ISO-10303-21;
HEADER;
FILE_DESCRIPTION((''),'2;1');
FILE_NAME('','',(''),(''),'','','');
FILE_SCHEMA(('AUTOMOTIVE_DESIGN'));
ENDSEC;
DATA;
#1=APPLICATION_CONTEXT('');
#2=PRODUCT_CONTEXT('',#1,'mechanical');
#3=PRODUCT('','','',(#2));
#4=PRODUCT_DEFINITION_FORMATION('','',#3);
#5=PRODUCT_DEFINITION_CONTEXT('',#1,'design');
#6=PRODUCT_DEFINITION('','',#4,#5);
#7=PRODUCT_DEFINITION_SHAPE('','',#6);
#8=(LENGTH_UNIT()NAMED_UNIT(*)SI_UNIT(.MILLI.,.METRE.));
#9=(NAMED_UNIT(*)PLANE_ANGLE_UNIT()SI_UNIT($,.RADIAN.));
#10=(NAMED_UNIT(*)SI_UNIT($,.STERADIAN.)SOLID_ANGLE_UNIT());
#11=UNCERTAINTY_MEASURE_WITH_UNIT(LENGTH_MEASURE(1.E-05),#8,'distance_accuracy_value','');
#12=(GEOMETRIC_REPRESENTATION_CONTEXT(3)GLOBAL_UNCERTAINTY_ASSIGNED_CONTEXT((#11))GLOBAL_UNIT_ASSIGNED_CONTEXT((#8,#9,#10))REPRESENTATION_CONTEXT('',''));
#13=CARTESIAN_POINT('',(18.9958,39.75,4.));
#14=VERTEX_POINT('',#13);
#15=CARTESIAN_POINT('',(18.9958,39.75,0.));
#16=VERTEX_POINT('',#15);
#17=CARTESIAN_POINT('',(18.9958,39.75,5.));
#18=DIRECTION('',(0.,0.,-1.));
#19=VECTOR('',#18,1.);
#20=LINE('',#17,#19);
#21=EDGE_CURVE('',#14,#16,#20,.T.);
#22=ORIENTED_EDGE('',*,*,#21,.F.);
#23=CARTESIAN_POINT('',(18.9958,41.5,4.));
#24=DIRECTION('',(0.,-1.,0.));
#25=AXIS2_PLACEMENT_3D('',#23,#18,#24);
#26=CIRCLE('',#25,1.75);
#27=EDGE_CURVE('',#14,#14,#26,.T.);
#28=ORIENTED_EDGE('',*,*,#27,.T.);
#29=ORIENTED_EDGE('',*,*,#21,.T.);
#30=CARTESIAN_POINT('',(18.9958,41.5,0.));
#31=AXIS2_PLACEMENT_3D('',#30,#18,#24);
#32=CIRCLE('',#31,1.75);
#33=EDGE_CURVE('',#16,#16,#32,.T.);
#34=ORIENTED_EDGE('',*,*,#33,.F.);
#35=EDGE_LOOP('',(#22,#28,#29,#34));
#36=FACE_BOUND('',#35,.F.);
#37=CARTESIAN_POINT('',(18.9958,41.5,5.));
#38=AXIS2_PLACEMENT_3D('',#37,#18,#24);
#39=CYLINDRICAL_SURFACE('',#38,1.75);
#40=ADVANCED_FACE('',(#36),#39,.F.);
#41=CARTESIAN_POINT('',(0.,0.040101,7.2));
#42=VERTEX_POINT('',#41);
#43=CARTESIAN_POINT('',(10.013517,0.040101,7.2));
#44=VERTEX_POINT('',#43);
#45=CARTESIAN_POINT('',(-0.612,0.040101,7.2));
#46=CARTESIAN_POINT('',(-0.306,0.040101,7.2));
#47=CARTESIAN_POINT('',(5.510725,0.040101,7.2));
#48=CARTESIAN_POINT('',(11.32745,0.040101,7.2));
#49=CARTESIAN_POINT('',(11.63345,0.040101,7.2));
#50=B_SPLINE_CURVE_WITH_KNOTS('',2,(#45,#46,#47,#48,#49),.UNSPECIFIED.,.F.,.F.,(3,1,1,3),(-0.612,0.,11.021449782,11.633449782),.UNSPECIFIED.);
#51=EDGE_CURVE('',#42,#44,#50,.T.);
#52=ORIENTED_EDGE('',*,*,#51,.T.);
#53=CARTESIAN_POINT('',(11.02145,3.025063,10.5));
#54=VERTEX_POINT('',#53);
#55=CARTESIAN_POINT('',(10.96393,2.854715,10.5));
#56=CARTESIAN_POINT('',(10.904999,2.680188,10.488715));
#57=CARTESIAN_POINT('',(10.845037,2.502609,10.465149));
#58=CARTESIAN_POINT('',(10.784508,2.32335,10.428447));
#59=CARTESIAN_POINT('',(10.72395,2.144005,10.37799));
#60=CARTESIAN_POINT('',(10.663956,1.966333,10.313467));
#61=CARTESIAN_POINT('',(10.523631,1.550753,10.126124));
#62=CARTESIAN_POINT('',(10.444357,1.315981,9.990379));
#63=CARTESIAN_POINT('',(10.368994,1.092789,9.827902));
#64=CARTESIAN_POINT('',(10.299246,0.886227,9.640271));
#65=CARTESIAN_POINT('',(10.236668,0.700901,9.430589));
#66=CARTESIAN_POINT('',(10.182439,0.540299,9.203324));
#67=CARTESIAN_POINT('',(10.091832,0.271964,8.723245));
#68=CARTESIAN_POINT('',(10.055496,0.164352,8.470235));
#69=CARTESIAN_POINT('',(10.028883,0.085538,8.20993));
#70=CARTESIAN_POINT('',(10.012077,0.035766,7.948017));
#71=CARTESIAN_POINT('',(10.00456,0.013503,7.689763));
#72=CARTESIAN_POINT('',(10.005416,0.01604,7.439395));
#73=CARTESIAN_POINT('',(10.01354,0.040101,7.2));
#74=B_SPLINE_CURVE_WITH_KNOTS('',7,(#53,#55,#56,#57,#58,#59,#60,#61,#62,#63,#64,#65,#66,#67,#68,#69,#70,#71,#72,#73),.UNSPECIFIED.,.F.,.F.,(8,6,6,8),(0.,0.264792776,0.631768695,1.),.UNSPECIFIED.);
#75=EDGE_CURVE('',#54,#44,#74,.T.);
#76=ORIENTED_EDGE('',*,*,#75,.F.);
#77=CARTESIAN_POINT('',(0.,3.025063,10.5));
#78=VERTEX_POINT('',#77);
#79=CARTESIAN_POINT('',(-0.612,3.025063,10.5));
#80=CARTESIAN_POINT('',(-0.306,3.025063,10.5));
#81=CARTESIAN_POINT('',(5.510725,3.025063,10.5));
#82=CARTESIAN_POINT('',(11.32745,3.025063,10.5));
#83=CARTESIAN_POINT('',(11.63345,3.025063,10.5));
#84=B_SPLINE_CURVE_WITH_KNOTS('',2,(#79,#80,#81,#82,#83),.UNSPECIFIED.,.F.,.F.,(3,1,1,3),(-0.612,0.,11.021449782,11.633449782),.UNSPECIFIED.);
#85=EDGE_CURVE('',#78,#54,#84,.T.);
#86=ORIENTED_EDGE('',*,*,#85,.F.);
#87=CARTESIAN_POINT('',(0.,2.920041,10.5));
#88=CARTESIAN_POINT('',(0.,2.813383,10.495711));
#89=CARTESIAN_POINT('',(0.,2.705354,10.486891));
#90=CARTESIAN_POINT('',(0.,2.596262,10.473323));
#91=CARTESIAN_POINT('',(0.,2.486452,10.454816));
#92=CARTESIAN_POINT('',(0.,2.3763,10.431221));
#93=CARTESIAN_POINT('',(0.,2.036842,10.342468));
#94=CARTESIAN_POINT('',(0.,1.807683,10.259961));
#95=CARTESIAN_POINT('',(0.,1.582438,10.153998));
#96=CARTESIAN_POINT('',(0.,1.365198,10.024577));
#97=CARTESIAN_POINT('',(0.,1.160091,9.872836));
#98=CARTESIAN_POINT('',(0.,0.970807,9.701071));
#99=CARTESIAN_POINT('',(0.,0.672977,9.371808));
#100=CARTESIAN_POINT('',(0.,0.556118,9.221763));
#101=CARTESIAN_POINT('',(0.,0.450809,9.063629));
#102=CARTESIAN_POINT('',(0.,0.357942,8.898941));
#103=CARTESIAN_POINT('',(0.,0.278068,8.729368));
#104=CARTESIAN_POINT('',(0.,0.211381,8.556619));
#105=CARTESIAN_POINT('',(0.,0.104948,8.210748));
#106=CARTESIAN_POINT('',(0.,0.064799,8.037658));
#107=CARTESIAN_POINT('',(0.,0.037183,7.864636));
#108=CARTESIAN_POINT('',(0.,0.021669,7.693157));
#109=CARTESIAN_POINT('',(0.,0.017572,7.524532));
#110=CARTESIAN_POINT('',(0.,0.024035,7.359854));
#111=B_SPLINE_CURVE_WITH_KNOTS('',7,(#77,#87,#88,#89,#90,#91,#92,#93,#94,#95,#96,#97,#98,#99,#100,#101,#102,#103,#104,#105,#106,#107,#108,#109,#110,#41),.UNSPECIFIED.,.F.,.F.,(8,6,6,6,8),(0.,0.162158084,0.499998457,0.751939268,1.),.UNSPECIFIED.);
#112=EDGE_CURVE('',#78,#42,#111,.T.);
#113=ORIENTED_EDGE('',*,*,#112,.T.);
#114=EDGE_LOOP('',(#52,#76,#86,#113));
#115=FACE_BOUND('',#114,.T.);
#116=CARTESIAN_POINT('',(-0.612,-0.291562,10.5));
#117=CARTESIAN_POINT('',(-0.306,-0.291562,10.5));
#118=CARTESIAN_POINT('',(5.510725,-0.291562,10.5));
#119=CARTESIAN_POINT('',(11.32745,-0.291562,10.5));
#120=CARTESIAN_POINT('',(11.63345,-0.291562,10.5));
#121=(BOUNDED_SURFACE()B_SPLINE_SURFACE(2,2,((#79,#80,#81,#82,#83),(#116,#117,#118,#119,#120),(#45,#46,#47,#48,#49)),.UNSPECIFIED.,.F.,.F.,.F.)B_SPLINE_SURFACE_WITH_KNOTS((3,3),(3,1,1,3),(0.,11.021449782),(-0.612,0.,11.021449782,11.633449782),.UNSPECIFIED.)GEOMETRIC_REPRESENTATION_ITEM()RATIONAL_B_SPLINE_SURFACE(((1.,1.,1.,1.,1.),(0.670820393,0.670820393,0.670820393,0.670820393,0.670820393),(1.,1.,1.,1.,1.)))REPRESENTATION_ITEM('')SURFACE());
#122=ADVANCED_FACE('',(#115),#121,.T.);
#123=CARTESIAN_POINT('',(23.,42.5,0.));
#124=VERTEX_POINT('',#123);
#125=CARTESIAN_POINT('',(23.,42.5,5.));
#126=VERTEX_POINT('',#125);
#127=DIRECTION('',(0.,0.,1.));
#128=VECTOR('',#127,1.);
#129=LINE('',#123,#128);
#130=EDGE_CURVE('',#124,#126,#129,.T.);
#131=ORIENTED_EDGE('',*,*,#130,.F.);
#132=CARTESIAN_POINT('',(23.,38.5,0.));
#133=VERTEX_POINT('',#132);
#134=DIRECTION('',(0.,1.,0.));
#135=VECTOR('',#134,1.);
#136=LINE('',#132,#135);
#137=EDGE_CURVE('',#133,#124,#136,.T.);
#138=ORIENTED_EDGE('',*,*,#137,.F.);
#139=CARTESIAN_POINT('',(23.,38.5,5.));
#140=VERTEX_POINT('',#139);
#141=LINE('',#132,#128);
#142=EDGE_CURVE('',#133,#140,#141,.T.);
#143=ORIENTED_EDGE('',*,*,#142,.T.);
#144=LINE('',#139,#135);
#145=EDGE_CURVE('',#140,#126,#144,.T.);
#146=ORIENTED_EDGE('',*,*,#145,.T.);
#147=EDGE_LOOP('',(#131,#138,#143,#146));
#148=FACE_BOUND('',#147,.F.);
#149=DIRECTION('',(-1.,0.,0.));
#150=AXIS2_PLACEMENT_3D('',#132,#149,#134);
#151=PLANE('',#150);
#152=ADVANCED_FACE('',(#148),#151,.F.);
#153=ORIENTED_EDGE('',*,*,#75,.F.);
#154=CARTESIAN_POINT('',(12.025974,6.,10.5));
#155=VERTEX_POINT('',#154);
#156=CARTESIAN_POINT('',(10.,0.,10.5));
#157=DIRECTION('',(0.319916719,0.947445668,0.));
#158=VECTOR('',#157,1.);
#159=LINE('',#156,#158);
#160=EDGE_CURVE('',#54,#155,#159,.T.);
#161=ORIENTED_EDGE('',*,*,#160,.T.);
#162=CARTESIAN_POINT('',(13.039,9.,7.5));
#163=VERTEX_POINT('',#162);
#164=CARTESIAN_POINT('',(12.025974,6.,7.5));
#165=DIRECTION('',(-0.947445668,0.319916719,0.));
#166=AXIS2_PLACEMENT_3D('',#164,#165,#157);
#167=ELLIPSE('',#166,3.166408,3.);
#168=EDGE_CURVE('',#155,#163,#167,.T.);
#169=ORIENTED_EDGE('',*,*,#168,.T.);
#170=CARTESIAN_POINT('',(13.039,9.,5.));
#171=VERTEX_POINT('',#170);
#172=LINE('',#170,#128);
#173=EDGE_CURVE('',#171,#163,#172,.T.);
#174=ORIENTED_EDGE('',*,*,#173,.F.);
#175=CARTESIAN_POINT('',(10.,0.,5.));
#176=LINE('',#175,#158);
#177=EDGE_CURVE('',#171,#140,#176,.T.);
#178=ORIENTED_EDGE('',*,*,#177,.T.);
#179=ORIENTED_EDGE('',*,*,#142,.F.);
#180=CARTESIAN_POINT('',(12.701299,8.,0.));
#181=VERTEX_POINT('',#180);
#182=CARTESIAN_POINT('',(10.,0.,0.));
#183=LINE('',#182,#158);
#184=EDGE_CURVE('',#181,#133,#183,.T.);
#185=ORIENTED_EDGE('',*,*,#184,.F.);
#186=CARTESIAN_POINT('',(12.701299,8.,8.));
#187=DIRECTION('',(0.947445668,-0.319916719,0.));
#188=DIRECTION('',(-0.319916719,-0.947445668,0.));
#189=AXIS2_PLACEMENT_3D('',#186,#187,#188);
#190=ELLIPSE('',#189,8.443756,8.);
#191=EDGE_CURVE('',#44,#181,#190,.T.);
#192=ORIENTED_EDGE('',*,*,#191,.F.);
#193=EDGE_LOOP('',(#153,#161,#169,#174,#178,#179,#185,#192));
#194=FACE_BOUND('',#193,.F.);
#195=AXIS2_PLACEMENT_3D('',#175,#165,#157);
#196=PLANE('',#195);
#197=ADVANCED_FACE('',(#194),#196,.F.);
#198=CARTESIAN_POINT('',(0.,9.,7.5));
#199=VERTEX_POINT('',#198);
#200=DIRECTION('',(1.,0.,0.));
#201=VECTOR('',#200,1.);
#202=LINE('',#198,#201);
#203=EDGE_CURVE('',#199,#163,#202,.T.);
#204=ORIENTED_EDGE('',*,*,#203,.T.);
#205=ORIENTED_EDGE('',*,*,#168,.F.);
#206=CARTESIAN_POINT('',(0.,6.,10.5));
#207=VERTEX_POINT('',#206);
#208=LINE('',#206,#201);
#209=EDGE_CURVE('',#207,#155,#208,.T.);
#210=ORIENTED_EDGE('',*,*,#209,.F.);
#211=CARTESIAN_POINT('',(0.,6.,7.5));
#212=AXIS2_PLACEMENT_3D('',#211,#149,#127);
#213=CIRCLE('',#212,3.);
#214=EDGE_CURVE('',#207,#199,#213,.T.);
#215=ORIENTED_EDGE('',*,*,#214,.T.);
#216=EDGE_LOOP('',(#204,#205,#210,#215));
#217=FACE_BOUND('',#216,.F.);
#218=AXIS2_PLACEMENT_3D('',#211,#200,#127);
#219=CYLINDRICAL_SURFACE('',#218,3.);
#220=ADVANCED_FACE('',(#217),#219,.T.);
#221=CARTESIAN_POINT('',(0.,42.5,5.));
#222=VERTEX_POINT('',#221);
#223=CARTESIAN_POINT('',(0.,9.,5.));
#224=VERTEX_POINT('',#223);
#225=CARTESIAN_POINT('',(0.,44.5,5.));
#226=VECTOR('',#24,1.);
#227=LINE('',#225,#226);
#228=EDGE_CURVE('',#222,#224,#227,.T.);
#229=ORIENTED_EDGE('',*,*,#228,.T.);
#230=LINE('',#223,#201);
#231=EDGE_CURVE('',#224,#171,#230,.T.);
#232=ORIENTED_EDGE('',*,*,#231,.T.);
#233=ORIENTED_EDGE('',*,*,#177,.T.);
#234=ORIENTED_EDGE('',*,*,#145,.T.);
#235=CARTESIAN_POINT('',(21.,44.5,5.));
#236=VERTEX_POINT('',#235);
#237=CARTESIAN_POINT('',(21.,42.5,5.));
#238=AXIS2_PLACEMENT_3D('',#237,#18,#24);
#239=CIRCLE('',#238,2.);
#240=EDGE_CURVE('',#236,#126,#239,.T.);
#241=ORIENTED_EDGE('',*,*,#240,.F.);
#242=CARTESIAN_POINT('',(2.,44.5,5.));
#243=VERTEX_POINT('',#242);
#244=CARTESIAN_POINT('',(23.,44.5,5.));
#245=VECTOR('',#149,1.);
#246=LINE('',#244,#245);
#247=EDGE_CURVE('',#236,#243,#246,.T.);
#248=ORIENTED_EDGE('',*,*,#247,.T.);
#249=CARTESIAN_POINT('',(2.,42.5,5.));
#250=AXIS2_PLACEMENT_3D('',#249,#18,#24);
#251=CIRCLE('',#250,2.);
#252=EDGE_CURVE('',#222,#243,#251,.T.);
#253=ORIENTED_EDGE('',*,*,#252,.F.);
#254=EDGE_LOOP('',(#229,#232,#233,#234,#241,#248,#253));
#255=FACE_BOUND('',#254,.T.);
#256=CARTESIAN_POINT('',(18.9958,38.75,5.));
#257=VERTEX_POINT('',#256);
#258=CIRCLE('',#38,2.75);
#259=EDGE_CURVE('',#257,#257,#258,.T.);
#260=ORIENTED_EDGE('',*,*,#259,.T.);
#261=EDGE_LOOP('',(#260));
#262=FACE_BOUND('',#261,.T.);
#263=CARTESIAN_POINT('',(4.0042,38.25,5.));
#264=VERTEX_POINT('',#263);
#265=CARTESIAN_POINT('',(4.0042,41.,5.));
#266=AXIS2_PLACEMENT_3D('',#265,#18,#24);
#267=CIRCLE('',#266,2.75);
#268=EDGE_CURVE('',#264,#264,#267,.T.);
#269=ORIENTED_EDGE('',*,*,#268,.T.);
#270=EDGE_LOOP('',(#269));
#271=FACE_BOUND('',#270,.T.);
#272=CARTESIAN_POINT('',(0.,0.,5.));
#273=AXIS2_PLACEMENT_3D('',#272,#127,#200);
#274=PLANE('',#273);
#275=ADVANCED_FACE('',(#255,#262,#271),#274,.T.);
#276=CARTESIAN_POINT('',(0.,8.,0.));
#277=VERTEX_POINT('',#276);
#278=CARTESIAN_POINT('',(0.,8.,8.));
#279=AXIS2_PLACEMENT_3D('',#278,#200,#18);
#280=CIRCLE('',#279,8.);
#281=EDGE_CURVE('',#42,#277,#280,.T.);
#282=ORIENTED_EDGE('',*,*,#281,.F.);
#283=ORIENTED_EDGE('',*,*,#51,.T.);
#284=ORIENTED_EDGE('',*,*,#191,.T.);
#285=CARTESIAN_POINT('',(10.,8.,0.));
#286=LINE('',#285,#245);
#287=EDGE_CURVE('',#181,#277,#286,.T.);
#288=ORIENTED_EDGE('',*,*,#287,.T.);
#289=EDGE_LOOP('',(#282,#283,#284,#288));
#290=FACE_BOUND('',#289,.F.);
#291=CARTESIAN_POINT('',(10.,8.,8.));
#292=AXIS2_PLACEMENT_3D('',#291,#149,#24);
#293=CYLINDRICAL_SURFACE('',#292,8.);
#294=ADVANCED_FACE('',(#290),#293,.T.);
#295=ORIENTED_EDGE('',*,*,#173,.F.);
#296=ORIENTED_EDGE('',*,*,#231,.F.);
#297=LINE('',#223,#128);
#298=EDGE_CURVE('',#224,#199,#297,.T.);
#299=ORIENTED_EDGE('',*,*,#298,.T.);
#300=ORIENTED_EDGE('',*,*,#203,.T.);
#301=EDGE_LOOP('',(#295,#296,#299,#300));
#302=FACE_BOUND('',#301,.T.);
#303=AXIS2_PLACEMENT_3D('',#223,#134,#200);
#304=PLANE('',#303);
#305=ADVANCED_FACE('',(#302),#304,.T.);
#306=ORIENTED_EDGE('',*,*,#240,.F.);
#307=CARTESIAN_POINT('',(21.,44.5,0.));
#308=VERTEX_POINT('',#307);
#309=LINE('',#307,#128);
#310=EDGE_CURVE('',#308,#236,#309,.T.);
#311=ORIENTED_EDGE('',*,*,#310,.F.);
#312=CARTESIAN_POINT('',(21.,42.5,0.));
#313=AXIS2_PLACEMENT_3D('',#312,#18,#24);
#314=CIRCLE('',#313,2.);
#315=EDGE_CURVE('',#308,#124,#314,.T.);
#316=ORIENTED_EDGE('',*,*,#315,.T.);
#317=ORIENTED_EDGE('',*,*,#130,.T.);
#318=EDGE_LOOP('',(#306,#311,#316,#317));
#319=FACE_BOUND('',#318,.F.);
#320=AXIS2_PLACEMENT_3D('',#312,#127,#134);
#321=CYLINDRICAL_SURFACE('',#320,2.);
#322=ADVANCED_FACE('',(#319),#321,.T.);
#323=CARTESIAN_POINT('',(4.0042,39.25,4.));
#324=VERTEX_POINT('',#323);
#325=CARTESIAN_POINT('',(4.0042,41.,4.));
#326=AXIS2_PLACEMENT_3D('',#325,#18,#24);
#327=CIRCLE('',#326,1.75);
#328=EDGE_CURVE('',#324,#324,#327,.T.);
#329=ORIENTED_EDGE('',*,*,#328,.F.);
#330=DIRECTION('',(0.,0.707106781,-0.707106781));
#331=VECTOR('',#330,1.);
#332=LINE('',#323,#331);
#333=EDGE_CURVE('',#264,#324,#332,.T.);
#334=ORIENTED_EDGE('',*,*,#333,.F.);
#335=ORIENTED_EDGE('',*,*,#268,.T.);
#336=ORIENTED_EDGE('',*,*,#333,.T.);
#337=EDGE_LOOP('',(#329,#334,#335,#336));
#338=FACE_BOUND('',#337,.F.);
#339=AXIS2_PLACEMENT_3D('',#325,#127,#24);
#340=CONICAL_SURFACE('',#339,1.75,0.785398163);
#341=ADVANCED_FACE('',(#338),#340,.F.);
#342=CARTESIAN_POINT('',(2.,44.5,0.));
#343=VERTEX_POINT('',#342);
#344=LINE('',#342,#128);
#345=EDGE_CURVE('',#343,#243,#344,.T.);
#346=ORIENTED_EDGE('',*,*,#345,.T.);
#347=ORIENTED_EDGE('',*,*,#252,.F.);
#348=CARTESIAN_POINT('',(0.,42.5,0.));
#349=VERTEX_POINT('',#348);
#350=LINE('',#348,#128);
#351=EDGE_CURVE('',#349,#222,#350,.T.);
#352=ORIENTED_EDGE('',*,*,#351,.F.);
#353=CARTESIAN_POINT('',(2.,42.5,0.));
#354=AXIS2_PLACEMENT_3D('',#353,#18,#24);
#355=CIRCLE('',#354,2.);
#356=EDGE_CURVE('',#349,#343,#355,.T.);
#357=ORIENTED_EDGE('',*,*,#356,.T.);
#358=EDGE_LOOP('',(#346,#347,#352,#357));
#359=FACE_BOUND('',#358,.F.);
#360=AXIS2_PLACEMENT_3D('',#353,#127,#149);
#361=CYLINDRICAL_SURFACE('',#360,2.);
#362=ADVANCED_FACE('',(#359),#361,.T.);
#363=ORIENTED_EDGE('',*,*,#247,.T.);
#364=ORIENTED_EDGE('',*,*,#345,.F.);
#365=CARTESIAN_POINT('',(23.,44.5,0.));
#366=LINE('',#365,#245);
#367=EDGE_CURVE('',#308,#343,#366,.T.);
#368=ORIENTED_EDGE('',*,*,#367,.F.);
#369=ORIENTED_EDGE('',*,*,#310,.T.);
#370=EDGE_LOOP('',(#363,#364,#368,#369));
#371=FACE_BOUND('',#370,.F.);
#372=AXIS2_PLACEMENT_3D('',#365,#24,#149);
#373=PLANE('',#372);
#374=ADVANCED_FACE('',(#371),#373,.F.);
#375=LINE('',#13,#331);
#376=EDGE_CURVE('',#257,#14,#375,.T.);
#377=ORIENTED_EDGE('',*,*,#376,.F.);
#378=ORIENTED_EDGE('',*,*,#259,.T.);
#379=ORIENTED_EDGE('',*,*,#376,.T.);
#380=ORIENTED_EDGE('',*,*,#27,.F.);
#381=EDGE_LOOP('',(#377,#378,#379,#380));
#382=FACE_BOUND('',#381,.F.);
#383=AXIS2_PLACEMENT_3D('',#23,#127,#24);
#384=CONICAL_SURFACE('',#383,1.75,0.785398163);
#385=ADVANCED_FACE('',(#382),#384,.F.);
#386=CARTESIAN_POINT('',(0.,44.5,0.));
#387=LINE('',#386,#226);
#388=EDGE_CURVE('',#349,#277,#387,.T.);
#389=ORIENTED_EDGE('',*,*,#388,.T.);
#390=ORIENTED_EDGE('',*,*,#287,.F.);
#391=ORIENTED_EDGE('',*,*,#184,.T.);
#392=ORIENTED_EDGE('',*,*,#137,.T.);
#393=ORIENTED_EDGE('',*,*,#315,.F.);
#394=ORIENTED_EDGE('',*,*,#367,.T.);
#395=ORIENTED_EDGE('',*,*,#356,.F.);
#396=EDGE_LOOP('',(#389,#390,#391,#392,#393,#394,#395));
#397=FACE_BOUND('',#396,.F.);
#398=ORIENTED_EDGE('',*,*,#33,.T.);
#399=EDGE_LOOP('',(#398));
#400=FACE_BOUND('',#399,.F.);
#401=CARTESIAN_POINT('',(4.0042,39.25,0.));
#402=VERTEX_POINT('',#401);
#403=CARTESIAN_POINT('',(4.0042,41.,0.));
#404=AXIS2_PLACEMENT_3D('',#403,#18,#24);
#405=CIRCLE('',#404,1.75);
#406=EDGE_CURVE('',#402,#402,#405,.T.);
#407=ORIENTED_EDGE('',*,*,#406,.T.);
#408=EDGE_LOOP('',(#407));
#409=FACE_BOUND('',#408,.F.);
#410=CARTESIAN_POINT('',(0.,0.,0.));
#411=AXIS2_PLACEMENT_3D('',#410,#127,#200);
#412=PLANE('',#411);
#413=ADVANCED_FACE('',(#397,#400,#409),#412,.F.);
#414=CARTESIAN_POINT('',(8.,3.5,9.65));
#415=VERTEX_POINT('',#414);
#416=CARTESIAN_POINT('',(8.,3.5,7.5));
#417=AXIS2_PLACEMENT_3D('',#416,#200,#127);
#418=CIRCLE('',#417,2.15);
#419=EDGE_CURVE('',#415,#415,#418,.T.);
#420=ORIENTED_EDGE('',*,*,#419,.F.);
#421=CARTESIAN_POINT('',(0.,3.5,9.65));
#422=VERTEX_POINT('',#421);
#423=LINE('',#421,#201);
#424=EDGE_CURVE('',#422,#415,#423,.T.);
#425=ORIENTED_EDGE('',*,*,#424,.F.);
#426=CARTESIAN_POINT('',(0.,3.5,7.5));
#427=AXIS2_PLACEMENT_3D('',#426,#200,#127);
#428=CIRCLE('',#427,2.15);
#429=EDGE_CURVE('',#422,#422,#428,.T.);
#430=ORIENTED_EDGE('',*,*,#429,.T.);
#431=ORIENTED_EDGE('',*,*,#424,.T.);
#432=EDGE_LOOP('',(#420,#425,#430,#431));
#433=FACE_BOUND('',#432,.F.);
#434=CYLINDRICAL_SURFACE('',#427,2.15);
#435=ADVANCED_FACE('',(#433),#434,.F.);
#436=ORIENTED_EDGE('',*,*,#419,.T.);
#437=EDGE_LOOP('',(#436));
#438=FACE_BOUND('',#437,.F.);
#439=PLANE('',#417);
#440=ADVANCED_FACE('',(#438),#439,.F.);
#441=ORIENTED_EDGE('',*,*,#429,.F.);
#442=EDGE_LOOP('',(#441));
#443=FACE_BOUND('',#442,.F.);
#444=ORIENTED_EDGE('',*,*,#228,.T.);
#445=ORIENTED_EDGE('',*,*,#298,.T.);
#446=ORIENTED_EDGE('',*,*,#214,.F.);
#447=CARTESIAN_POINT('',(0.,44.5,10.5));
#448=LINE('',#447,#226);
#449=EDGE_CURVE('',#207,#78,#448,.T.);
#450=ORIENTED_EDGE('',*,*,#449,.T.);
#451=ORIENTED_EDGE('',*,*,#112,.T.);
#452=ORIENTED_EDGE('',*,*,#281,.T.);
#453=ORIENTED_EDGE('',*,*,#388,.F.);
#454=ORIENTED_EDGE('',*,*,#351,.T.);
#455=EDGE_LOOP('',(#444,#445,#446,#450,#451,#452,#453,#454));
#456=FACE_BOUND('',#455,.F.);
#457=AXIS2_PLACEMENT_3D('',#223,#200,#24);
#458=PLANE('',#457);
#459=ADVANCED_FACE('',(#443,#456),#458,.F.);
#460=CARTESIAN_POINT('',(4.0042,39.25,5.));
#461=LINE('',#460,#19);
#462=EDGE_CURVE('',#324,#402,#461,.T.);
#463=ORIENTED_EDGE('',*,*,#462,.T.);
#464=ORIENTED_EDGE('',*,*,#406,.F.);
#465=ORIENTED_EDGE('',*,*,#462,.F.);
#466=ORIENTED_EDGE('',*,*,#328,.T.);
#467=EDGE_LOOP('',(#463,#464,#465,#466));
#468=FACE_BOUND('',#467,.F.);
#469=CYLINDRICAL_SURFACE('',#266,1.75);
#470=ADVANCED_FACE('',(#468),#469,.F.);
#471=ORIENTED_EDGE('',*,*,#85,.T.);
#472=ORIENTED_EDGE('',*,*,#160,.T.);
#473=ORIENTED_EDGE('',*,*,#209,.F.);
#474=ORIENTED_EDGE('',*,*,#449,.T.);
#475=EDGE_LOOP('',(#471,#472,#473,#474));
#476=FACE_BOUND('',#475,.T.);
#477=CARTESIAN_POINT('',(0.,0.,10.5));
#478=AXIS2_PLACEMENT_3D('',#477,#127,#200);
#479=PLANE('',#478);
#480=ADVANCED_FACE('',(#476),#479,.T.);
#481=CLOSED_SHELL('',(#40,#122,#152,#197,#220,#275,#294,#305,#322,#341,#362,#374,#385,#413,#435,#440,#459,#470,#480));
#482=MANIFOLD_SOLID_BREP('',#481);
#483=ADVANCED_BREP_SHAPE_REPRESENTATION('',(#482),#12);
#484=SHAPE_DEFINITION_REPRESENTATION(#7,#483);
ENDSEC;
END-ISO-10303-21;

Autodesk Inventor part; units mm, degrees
ref_plane "YZ Plane" through (0, 0, 0) normal (1, 0, 0) x (0, 1, 0)
ref_plane "XZ Plane" through (0, 0, 0) normal (0, 1, 0) x (-1, 0, 0)
ref_plane "XY Plane" through (0, 0, 0) normal (0, 0, 1) x (1, 0, 0)
sketch "Skizze1" plane through (0, 0, 0) normal (0, 0, 1) x (1, 0, 0)
  line L0 (10, 0) -> (23, 38.5)
  line L1 (23, 38.5) -> (23, 44.5)
  line L2 (23, 44.5) -> (0, 44.5)
  line L3 (0, 44.5) -> (0, 0)
  line L4 (10, 0) -> (0, 0)
  dimension "d0" = 38.5
  dimension "d1" = 6
  dimension "d2" = 23
  dimension "d4" = 10
extrude "Extrusion1" add sketch "Skizze1" along normal blind 5
sketch "Skizze3" plane through (0, 0, 5) normal (0, 0, 1) x (1, 0, 0)
  line L0 (23, 38.5) -> (23, 44.5) projected
  line L1 (23, 41.5) -> (18.9958, 41.5) construction
  line L2 (4.0042, 41) -> (0, 41) construction
  line L3 (0, 44.5) -> (0, 0) construction
  dimension "d35" = 0.5
  dimension "d36" = 15
hole "Bohrung2" at (4.0042, 41, 5) at (18.9958, 41.5, 5) direction (0, 0, -1) diameter 3.5 end through all
sketch "Skizze4" plane through (0, 0, 5) normal (0, 0, 1) x (1, 0, 0)
  line L0 (0, 44.5) -> (0, 0) projected
  line L1 (0, 9) -> (13.039, 9)
  line L2 (0, 0) -> (10, 0) projected
  line L3 (10, 0) -> (23, 38.5) projected
  dimension "d24" = 9
extrude "Extrusion2" add sketch "Skizze4" along normal blind 5.5
sketch "Skizze2" plane through (0, 0, 0) normal (-1, 0, 0) x (0, 0, 1)
  line L0 (0, 0) -> (5, 0) projected
  line L1 (5, 9) -> (10.5, 9) projected
  line L2 (10.5, 9) -> (10.5, 0) projected
  point P0 (7.5, 3.5)
  dimension "d27" = 3.5
  dimension "d37" = 3
hole "Bohrung1" at (0, 3.5, 7.5) direction (1, 0, 0) diameter 4.3 depth 8
fillet "Rundung2" radius 8 1 edges at (5, 0, 0)
fillet "Rundung3" radius 3 1 edges at (6.5195, 9, 10.5)
fillet "Rundung4" radius 3 1 edges at (5, 0, 10.5)
chamfer "Fasen1" distance 1 angle 45 2 edges at (4.0042, 42.75, 5) (18.9958, 43.25, 5)
fillet "Rundung5" radius 2 2 edges at (0, 44.5, 2.5) (23, 44.5, 2.5)
properties part number "Lupfer Seite"
